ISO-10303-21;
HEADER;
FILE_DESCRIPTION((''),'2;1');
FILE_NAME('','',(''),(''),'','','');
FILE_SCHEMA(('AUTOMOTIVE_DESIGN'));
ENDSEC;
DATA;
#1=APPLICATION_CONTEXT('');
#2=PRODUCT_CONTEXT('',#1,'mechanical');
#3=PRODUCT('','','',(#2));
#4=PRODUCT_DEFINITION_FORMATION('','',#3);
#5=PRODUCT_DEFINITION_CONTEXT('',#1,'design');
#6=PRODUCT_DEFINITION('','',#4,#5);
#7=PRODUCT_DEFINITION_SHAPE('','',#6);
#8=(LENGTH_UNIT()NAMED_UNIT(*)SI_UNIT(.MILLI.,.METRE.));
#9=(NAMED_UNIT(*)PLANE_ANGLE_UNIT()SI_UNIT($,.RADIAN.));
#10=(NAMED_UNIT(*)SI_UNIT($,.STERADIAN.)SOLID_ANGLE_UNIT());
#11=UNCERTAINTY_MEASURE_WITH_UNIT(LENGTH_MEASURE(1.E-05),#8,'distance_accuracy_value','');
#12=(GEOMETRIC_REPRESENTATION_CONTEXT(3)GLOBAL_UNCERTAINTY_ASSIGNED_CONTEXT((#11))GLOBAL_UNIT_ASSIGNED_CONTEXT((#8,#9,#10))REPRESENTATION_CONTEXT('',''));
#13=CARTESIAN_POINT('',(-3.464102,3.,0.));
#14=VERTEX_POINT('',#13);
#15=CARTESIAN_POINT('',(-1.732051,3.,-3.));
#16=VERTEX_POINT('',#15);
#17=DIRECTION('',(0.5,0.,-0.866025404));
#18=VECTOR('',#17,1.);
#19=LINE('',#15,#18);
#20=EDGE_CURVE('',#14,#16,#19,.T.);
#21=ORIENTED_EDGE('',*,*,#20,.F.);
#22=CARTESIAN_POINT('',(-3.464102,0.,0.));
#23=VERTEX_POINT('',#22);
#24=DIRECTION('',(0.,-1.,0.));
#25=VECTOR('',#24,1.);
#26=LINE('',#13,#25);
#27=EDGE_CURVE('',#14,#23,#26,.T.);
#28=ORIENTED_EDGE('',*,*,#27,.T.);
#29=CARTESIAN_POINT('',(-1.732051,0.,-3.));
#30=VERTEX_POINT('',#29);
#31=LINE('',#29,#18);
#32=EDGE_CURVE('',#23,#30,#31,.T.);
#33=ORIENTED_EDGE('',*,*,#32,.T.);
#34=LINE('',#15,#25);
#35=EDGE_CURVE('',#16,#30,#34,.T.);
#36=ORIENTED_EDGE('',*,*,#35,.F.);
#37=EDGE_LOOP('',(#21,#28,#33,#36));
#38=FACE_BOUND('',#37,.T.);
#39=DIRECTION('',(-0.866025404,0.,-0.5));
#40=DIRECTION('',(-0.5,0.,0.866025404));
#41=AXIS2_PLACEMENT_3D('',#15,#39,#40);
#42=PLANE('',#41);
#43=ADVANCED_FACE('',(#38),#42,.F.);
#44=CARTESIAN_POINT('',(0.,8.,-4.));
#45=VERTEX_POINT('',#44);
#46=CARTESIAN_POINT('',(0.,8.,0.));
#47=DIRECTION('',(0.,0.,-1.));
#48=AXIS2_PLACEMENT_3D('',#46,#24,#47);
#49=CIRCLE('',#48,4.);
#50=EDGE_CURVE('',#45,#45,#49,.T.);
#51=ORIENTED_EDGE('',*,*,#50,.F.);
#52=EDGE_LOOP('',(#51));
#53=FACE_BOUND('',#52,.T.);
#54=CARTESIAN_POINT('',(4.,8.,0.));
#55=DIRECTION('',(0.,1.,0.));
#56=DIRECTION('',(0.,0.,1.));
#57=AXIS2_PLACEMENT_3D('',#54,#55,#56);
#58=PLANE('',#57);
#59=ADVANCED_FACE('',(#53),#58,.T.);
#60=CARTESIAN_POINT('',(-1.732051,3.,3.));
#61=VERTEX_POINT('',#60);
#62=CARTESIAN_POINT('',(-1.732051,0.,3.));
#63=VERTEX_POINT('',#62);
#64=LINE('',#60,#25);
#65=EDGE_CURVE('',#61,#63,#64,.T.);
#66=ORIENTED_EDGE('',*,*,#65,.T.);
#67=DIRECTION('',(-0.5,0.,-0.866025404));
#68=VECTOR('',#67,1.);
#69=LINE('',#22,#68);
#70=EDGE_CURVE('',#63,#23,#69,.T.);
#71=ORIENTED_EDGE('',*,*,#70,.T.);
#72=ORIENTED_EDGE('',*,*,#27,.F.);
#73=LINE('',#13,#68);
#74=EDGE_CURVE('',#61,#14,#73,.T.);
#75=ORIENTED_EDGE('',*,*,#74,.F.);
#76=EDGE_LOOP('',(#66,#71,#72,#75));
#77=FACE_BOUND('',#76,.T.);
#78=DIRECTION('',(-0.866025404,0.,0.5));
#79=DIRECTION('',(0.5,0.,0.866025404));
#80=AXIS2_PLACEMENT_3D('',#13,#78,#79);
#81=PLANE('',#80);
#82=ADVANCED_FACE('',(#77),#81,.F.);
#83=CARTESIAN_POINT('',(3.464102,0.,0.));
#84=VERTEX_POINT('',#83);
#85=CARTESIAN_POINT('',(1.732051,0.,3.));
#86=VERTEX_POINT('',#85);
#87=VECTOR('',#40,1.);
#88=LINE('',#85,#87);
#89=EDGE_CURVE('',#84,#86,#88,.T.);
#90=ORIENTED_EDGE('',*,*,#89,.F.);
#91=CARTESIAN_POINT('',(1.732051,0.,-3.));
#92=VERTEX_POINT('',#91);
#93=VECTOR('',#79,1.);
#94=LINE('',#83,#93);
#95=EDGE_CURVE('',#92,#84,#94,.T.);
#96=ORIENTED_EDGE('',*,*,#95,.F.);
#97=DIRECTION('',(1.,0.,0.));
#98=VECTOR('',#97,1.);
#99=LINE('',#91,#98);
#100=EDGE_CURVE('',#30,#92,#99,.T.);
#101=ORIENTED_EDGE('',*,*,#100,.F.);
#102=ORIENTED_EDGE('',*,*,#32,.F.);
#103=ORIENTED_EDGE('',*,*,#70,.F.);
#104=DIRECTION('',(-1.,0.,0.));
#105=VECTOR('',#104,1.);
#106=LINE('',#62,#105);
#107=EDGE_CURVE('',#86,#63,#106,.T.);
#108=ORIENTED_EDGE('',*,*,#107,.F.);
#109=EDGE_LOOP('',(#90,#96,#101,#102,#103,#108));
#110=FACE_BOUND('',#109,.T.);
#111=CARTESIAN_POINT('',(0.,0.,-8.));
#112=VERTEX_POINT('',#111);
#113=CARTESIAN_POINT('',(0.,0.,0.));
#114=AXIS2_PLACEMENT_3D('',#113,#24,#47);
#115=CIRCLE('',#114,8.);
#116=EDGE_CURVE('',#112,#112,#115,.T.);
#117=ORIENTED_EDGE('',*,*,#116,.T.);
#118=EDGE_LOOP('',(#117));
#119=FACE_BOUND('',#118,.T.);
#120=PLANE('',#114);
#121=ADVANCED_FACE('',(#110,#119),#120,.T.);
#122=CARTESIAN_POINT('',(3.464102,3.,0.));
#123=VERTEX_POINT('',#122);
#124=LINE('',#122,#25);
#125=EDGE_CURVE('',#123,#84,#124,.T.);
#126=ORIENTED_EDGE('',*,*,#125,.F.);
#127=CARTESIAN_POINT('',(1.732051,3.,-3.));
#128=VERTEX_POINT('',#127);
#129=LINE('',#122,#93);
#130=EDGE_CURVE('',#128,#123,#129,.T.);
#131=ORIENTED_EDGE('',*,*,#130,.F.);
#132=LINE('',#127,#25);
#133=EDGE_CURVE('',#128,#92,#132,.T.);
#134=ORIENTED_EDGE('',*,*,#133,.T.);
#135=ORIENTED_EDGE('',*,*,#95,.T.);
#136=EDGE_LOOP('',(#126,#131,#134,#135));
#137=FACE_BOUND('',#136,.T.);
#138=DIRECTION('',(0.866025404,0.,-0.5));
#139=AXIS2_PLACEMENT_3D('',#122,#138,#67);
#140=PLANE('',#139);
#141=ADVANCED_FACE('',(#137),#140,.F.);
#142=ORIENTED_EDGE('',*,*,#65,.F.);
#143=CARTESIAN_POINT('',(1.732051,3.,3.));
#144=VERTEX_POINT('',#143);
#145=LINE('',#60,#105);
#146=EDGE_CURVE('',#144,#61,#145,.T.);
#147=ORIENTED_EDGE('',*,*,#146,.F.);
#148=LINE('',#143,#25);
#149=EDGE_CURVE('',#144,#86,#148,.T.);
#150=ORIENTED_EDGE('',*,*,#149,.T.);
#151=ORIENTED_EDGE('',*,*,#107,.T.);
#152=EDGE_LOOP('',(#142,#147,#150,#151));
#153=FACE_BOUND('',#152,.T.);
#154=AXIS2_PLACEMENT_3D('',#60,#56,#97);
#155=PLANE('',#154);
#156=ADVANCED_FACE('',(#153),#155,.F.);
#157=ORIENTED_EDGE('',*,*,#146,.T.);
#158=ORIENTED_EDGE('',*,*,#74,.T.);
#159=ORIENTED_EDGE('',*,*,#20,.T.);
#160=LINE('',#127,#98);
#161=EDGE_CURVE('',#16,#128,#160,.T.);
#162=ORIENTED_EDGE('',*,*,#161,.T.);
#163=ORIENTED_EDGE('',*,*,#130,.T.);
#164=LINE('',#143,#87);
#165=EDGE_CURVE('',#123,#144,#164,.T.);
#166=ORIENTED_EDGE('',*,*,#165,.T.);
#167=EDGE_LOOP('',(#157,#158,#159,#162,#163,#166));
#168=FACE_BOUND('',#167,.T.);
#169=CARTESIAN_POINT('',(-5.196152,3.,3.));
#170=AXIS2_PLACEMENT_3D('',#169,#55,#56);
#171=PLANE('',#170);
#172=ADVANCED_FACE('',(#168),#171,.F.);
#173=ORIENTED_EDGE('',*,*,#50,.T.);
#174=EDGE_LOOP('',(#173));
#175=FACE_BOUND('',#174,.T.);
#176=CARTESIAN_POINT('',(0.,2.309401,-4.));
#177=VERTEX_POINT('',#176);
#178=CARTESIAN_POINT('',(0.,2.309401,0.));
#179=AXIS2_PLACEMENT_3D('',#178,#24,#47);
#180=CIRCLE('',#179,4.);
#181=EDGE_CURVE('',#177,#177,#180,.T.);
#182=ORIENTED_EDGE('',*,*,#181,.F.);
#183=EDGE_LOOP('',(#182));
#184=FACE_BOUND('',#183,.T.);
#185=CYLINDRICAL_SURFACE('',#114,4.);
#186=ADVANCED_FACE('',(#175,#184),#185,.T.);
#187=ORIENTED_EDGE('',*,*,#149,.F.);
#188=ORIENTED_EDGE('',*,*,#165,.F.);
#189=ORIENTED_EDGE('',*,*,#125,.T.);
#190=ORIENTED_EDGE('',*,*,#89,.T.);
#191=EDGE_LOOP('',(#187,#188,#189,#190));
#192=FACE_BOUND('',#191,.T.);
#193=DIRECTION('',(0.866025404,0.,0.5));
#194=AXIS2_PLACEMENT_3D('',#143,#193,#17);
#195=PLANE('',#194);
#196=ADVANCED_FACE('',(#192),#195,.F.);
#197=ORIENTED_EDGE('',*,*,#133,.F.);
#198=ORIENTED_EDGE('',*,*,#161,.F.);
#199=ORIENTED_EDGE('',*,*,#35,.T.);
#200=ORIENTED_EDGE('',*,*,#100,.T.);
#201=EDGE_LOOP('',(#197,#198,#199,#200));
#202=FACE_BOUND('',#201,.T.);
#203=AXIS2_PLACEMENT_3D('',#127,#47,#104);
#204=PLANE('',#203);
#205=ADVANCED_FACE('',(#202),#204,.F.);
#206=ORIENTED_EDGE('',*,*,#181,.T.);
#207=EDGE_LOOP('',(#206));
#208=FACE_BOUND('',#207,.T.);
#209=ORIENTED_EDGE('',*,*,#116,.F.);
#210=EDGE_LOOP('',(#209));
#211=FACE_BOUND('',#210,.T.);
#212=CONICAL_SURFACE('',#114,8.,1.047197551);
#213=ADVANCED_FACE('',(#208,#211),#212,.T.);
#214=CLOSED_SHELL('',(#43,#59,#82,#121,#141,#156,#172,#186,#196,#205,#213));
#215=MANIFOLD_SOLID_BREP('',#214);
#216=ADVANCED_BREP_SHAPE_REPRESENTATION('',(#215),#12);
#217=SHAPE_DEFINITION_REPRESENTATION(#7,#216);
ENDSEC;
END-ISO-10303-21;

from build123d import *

# Parameters (mm, degrees)
ENL_V_MAT_EXTRU_1_DEPTH = 3


with BuildPart() as part:
    # Esquisse1 → Révolution1 (revolve)
    with BuildSketch(Plane.XY):
        Polygon((0, 0), (8, 0), (4, 2.309401077), (4, 8), (0, 8), align=None)
    revolve(axis=Axis((0, 0, 0), (0, 1, 0)))

    # Esquisse2 → Enlèv. mat.-Extru.1 (cut)
    with BuildSketch(Plane.XZ):
        Polygon((-3.464101615, 0), (-1.732050808, 3), (1.732050808, 3), (3.464101615, 0), (1.732050808, -3), (-1.732050808, -3), align=None)
    extrude(amount=-ENL_V_MAT_EXTRU_1_DEPTH, mode=Mode.SUBTRACT)


solid = part.part
